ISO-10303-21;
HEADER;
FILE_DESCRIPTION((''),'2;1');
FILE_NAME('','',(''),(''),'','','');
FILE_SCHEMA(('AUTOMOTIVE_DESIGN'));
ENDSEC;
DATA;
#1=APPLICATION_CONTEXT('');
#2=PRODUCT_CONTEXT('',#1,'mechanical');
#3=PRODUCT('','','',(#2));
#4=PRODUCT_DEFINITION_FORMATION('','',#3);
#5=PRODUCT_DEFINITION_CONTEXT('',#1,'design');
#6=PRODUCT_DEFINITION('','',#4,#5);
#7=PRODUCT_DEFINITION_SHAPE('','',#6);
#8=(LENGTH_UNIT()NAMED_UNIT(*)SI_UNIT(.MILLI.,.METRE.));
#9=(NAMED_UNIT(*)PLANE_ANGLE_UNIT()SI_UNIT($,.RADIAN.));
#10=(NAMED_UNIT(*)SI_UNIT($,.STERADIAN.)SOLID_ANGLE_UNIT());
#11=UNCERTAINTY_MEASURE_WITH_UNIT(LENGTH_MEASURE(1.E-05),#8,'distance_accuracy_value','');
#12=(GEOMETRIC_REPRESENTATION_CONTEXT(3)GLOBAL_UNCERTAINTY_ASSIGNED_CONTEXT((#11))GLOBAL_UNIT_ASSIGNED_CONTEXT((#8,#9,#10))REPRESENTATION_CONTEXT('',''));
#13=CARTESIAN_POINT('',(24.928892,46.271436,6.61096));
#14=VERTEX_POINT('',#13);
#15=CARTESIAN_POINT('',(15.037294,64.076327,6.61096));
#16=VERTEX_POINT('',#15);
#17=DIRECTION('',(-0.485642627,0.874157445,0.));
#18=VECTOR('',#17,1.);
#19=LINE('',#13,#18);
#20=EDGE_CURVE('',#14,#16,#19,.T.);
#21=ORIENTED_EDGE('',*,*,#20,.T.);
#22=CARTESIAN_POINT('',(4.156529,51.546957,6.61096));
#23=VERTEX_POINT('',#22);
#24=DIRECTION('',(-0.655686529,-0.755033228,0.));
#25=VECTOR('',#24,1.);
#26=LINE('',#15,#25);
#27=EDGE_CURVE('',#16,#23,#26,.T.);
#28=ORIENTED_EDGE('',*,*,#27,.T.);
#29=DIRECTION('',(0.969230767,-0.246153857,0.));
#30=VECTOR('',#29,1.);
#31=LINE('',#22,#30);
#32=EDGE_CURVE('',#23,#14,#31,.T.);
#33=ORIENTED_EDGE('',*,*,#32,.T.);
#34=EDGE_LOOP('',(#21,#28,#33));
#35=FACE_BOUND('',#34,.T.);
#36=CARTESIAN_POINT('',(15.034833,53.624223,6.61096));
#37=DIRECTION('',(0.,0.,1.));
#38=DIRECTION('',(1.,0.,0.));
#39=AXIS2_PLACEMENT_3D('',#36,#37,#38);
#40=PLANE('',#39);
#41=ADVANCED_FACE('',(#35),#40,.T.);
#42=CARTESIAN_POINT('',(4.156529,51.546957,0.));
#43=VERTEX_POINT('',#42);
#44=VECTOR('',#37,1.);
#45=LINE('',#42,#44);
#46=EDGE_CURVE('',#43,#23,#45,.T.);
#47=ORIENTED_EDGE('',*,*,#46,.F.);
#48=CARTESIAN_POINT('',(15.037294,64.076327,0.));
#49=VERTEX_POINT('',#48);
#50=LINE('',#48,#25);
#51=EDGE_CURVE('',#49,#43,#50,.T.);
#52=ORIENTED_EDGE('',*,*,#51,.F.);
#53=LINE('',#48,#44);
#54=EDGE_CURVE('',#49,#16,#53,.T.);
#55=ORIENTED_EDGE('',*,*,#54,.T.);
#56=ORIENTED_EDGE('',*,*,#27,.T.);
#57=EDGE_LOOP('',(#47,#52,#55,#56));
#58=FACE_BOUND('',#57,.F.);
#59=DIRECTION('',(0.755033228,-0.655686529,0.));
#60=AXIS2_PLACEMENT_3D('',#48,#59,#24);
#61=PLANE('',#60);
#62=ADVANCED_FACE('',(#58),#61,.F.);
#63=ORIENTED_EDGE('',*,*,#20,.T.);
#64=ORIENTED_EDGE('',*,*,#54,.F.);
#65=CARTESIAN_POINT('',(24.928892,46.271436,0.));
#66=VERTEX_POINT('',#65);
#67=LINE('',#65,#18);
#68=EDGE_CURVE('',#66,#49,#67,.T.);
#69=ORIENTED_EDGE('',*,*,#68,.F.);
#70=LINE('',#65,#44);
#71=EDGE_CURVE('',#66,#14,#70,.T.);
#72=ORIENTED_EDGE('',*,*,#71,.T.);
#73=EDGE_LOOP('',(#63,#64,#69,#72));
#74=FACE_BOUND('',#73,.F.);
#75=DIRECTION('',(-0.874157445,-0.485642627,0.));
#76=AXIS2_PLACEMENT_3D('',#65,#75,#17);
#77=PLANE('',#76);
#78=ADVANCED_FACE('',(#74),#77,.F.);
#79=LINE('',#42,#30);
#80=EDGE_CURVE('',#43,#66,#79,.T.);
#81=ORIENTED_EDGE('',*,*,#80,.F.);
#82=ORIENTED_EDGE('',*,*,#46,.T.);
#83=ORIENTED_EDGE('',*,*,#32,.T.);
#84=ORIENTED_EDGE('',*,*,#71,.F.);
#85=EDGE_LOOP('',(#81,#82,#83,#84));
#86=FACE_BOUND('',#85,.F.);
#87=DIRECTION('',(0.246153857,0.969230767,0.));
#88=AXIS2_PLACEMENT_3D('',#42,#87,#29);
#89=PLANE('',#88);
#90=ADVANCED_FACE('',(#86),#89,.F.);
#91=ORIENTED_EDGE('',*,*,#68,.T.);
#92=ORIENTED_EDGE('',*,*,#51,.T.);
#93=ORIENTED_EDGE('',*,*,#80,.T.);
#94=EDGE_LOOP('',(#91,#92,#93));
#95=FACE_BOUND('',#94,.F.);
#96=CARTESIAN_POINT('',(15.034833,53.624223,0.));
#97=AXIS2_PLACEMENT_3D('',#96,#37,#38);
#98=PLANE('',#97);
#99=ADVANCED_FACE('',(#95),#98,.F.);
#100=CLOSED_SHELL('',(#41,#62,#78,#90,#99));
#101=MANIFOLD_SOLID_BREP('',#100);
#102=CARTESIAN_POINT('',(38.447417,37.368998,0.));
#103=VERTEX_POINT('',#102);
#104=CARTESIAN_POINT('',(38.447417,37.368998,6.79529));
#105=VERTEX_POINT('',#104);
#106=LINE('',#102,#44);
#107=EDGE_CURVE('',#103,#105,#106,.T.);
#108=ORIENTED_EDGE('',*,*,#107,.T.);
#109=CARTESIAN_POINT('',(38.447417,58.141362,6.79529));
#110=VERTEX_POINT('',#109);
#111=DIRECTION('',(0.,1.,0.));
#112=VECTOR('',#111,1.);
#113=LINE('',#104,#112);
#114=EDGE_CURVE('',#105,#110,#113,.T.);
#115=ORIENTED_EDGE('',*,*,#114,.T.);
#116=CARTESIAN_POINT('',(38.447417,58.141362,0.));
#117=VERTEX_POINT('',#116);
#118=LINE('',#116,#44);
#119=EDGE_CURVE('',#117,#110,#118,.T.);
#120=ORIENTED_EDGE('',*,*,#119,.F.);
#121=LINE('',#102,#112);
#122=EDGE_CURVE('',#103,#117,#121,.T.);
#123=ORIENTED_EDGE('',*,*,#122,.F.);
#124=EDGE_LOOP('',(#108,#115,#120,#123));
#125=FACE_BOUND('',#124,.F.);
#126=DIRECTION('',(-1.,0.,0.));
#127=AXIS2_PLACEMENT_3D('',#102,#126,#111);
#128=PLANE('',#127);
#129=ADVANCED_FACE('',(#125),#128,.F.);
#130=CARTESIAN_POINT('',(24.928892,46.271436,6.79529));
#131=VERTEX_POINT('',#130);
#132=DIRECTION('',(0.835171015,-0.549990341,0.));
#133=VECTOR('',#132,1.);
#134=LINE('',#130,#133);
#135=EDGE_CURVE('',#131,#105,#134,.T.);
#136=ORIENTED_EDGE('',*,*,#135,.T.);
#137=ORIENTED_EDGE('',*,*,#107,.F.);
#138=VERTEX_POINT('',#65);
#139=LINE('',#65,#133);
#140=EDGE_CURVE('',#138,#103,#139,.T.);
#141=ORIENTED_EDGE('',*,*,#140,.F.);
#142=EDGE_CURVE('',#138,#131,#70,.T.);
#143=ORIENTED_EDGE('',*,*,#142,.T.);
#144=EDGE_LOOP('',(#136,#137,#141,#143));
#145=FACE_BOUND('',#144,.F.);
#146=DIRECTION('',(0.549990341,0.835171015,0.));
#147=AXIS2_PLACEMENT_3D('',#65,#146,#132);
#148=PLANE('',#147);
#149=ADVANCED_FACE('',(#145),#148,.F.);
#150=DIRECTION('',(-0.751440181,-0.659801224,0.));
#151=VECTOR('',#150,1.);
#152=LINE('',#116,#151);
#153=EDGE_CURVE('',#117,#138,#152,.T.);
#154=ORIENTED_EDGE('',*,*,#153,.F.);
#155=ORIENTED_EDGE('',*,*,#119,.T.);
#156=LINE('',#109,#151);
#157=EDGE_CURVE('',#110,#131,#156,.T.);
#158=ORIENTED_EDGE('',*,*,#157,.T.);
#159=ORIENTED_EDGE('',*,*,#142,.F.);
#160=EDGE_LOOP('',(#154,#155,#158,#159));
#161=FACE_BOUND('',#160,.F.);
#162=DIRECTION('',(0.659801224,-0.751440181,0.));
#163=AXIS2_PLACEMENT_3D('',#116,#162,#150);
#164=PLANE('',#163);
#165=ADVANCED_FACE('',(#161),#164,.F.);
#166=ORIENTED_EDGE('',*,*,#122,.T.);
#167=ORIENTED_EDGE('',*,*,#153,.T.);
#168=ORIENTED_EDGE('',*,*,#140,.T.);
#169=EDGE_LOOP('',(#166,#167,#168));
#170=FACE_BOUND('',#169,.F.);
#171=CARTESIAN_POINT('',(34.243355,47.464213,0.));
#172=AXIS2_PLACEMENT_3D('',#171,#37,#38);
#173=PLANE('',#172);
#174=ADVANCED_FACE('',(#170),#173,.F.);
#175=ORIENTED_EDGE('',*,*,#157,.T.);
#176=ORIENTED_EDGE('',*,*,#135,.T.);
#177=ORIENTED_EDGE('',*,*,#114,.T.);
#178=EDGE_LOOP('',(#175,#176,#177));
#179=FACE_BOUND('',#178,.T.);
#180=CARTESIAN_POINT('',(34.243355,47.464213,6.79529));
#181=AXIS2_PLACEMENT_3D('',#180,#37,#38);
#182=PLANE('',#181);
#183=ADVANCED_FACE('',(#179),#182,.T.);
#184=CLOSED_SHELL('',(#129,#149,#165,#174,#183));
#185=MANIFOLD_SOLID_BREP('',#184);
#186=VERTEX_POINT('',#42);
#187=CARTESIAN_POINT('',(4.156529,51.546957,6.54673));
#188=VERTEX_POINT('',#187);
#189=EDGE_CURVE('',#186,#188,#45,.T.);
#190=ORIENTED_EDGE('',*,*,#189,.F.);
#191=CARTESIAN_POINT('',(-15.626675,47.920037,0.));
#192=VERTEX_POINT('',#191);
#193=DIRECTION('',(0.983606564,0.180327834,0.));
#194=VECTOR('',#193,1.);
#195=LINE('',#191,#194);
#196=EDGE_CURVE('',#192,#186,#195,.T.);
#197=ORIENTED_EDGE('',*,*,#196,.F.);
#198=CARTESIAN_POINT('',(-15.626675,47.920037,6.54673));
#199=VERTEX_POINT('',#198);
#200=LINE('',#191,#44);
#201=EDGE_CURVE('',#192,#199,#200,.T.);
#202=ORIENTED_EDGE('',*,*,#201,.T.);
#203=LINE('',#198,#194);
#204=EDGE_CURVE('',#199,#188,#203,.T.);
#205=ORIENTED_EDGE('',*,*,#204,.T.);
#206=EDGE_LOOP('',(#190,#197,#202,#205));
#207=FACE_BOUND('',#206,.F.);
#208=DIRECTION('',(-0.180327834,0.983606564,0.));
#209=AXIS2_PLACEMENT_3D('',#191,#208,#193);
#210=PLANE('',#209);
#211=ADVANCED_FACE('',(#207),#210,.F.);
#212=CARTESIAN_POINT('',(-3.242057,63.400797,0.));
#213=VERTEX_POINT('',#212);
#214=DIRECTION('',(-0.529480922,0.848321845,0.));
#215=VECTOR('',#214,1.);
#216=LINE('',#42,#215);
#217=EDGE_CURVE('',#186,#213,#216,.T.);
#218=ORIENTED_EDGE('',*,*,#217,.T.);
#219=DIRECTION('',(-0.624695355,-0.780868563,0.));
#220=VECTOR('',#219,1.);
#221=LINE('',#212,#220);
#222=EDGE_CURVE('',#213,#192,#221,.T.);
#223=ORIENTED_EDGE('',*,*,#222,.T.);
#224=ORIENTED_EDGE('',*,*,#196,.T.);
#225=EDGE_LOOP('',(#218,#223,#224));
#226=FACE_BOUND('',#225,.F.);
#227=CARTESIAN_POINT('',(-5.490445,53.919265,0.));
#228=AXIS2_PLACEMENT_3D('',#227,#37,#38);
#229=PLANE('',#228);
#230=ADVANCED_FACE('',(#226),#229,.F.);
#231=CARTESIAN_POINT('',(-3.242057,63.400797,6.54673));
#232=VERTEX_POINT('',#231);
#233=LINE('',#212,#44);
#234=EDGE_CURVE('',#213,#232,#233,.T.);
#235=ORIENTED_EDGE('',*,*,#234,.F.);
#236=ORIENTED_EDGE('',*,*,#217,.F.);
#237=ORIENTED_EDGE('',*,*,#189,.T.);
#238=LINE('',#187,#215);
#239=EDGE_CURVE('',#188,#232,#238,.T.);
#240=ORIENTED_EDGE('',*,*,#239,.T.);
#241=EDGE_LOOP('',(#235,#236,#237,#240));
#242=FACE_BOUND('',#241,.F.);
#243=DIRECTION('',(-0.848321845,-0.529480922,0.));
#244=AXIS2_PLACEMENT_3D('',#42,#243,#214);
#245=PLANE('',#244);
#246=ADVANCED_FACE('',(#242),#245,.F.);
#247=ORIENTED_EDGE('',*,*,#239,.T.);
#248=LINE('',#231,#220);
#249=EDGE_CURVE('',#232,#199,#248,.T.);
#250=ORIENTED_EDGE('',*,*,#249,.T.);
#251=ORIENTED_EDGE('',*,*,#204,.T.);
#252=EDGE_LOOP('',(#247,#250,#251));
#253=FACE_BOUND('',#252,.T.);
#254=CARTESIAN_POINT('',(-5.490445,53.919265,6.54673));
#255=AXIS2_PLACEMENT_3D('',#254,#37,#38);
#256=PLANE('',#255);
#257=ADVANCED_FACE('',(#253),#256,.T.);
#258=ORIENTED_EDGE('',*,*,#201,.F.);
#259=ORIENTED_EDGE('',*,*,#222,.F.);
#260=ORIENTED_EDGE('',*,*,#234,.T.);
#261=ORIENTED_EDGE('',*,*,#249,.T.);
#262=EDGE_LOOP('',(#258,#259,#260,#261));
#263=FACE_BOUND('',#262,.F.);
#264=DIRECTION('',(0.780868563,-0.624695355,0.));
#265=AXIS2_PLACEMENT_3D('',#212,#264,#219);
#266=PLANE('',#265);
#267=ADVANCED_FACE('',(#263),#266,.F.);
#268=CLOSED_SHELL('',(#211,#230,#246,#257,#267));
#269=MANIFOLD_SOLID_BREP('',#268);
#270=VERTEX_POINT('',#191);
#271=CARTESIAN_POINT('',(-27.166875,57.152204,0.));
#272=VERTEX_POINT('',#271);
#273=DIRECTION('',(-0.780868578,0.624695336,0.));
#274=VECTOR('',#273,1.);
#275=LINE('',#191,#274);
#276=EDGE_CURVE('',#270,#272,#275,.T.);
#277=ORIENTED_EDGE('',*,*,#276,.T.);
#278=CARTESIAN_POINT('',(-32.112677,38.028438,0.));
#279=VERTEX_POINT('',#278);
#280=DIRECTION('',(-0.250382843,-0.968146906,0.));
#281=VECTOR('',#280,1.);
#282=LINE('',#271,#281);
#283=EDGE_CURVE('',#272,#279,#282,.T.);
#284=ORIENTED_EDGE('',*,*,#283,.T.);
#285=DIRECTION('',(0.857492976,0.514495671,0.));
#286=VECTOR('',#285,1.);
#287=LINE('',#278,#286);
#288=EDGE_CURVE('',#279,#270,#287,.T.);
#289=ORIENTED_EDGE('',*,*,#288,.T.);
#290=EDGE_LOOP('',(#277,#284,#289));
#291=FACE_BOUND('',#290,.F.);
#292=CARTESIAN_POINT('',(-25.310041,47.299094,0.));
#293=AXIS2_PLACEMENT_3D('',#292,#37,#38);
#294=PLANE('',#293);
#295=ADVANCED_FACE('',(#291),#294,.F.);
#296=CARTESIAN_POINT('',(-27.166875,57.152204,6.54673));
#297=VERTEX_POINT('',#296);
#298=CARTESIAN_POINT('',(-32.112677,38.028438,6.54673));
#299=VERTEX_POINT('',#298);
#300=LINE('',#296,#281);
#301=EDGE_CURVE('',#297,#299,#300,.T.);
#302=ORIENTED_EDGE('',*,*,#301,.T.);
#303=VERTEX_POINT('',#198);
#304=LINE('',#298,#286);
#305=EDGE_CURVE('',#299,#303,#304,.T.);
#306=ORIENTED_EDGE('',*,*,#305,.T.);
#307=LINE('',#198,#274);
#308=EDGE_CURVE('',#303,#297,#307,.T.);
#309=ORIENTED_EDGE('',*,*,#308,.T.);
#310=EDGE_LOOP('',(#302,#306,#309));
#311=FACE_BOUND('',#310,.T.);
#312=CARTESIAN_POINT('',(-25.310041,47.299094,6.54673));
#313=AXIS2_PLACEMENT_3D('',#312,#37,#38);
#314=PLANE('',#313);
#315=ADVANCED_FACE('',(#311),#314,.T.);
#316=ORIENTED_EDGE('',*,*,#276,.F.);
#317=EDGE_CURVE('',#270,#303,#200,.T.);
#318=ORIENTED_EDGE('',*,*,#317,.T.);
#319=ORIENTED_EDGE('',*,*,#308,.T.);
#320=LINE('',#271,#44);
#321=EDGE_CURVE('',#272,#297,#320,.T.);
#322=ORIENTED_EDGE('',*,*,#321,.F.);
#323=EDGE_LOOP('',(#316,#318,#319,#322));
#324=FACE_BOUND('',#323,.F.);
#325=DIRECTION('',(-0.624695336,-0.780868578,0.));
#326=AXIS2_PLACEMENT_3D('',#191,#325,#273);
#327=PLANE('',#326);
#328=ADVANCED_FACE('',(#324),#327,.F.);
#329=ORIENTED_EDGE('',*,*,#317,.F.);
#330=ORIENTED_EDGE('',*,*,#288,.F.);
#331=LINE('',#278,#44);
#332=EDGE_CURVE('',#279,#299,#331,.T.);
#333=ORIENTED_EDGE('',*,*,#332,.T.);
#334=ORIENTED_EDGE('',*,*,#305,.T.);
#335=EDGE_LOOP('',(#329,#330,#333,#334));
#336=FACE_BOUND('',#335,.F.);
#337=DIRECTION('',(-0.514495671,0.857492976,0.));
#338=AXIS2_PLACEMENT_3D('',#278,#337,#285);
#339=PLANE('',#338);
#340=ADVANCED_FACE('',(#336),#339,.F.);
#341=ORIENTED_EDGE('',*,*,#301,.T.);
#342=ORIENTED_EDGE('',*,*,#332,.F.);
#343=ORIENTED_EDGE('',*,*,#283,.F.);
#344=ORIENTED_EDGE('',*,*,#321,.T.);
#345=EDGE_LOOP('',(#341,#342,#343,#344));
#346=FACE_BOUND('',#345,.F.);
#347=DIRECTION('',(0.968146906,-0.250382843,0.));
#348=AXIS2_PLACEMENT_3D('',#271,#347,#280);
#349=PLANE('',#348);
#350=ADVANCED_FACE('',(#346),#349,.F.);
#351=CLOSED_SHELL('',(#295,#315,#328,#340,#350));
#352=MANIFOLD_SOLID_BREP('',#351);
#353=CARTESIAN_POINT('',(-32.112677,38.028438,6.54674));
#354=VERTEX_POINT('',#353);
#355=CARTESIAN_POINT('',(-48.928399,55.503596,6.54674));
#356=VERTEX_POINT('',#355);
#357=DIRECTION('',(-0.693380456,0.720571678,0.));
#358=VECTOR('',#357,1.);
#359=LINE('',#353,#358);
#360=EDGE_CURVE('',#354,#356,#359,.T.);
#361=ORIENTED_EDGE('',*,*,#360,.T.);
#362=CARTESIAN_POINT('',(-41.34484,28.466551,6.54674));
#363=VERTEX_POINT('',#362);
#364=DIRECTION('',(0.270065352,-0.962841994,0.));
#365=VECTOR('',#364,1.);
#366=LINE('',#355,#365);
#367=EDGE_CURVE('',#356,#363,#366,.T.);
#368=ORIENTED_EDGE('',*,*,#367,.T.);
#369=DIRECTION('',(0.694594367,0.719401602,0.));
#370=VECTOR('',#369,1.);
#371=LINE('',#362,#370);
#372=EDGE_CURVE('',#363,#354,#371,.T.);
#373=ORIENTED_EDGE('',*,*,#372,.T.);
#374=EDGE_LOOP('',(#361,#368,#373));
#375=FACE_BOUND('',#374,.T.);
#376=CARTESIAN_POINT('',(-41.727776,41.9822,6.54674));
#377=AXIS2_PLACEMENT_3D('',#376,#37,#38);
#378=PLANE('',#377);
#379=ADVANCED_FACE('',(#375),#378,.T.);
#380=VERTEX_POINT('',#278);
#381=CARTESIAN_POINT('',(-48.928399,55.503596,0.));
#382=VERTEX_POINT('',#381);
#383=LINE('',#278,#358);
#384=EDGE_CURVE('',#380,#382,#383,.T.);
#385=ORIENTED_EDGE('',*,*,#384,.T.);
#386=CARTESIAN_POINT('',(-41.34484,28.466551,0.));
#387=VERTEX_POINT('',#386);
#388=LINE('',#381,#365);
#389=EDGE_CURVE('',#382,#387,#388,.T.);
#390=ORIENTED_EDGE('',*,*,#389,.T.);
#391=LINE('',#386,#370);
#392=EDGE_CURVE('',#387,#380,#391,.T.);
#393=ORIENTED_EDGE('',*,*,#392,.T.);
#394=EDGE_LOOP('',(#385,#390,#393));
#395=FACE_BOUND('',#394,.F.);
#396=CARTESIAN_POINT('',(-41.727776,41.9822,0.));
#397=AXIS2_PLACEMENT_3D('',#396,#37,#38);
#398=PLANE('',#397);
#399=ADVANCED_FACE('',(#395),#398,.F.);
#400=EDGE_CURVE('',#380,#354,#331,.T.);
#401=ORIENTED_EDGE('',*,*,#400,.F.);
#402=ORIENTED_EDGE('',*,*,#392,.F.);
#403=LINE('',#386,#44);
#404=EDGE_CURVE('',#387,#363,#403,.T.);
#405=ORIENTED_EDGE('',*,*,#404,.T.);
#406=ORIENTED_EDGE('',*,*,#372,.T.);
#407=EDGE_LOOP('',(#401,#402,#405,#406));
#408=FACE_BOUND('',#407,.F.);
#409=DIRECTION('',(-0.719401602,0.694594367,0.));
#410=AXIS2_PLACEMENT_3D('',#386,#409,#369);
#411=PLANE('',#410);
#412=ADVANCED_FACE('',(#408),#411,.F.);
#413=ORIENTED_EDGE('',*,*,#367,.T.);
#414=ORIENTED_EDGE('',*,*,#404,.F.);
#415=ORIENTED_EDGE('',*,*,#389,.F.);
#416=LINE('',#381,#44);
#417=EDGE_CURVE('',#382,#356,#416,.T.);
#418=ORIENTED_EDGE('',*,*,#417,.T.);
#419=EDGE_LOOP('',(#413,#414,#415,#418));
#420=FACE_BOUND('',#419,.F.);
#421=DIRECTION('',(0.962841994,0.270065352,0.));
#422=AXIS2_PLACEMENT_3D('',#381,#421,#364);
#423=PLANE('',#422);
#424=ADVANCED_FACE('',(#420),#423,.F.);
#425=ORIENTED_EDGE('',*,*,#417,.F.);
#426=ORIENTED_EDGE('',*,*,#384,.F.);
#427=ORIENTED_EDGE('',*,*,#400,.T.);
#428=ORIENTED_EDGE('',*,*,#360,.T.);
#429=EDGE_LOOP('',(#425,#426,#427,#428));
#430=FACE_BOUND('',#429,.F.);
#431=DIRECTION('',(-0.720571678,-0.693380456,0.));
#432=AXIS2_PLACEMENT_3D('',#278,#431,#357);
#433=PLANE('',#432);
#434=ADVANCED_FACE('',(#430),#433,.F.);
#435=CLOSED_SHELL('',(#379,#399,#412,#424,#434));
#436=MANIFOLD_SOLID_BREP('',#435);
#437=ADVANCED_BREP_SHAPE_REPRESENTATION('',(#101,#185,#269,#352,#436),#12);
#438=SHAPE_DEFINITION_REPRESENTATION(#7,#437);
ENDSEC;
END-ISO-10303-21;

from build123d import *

# Parameters (mm, degrees)
F1_DEPTH = 6.54674
F2_DEPTH = 6.54673
F3_DEPTH = 6.54673
F4_DEPTH = 6.61096
F5_DEPTH = 6.79529


with BuildPart() as f1:
    # F0 (on Top) → F1 (new body)
    with BuildSketch(Plane.XY):
        Polygon((-48.928399, 55.503596), (-41.34484, 28.466551), (-32.112677, 38.028438), align=None)
    extrude(amount=F1_DEPTH)


with BuildPart() as f2:
    # F0 (on Top) → F2 (new body)
    with BuildSketch(Plane.XY):
        Polygon((-27.166875, 57.152204), (-32.112677, 38.028438), (-15.626675, 47.920037), align=None)
    extrude(amount=F2_DEPTH)


with BuildPart() as f3:
    # F0 (on Top) → F3 (new body)
    with BuildSketch(Plane.XY):
        Polygon((-3.242057, 63.400797), (-15.626675, 47.920037), (4.156529, 51.546957), align=None)
    extrude(amount=F3_DEPTH)


with BuildPart() as f4:
    # F0 (on Top) → F4 (new body)
    with BuildSketch(Plane.XY):
        Polygon((15.037294, 64.076327), (4.156529, 51.546957), (24.928892, 46.271436), align=None)
    extrude(amount=F4_DEPTH)


with BuildPart() as f5:
    # F0 (on Top) → F5 (new body)
    with BuildSketch(Plane.XY):
        Polygon((38.447417, 58.141362), (24.928892, 46.271436), (38.447417, 37.368998), align=None)
    extrude(amount=F5_DEPTH)


solid = Compound([f1.part, f2.part, f3.part, f4.part, f5.part])
